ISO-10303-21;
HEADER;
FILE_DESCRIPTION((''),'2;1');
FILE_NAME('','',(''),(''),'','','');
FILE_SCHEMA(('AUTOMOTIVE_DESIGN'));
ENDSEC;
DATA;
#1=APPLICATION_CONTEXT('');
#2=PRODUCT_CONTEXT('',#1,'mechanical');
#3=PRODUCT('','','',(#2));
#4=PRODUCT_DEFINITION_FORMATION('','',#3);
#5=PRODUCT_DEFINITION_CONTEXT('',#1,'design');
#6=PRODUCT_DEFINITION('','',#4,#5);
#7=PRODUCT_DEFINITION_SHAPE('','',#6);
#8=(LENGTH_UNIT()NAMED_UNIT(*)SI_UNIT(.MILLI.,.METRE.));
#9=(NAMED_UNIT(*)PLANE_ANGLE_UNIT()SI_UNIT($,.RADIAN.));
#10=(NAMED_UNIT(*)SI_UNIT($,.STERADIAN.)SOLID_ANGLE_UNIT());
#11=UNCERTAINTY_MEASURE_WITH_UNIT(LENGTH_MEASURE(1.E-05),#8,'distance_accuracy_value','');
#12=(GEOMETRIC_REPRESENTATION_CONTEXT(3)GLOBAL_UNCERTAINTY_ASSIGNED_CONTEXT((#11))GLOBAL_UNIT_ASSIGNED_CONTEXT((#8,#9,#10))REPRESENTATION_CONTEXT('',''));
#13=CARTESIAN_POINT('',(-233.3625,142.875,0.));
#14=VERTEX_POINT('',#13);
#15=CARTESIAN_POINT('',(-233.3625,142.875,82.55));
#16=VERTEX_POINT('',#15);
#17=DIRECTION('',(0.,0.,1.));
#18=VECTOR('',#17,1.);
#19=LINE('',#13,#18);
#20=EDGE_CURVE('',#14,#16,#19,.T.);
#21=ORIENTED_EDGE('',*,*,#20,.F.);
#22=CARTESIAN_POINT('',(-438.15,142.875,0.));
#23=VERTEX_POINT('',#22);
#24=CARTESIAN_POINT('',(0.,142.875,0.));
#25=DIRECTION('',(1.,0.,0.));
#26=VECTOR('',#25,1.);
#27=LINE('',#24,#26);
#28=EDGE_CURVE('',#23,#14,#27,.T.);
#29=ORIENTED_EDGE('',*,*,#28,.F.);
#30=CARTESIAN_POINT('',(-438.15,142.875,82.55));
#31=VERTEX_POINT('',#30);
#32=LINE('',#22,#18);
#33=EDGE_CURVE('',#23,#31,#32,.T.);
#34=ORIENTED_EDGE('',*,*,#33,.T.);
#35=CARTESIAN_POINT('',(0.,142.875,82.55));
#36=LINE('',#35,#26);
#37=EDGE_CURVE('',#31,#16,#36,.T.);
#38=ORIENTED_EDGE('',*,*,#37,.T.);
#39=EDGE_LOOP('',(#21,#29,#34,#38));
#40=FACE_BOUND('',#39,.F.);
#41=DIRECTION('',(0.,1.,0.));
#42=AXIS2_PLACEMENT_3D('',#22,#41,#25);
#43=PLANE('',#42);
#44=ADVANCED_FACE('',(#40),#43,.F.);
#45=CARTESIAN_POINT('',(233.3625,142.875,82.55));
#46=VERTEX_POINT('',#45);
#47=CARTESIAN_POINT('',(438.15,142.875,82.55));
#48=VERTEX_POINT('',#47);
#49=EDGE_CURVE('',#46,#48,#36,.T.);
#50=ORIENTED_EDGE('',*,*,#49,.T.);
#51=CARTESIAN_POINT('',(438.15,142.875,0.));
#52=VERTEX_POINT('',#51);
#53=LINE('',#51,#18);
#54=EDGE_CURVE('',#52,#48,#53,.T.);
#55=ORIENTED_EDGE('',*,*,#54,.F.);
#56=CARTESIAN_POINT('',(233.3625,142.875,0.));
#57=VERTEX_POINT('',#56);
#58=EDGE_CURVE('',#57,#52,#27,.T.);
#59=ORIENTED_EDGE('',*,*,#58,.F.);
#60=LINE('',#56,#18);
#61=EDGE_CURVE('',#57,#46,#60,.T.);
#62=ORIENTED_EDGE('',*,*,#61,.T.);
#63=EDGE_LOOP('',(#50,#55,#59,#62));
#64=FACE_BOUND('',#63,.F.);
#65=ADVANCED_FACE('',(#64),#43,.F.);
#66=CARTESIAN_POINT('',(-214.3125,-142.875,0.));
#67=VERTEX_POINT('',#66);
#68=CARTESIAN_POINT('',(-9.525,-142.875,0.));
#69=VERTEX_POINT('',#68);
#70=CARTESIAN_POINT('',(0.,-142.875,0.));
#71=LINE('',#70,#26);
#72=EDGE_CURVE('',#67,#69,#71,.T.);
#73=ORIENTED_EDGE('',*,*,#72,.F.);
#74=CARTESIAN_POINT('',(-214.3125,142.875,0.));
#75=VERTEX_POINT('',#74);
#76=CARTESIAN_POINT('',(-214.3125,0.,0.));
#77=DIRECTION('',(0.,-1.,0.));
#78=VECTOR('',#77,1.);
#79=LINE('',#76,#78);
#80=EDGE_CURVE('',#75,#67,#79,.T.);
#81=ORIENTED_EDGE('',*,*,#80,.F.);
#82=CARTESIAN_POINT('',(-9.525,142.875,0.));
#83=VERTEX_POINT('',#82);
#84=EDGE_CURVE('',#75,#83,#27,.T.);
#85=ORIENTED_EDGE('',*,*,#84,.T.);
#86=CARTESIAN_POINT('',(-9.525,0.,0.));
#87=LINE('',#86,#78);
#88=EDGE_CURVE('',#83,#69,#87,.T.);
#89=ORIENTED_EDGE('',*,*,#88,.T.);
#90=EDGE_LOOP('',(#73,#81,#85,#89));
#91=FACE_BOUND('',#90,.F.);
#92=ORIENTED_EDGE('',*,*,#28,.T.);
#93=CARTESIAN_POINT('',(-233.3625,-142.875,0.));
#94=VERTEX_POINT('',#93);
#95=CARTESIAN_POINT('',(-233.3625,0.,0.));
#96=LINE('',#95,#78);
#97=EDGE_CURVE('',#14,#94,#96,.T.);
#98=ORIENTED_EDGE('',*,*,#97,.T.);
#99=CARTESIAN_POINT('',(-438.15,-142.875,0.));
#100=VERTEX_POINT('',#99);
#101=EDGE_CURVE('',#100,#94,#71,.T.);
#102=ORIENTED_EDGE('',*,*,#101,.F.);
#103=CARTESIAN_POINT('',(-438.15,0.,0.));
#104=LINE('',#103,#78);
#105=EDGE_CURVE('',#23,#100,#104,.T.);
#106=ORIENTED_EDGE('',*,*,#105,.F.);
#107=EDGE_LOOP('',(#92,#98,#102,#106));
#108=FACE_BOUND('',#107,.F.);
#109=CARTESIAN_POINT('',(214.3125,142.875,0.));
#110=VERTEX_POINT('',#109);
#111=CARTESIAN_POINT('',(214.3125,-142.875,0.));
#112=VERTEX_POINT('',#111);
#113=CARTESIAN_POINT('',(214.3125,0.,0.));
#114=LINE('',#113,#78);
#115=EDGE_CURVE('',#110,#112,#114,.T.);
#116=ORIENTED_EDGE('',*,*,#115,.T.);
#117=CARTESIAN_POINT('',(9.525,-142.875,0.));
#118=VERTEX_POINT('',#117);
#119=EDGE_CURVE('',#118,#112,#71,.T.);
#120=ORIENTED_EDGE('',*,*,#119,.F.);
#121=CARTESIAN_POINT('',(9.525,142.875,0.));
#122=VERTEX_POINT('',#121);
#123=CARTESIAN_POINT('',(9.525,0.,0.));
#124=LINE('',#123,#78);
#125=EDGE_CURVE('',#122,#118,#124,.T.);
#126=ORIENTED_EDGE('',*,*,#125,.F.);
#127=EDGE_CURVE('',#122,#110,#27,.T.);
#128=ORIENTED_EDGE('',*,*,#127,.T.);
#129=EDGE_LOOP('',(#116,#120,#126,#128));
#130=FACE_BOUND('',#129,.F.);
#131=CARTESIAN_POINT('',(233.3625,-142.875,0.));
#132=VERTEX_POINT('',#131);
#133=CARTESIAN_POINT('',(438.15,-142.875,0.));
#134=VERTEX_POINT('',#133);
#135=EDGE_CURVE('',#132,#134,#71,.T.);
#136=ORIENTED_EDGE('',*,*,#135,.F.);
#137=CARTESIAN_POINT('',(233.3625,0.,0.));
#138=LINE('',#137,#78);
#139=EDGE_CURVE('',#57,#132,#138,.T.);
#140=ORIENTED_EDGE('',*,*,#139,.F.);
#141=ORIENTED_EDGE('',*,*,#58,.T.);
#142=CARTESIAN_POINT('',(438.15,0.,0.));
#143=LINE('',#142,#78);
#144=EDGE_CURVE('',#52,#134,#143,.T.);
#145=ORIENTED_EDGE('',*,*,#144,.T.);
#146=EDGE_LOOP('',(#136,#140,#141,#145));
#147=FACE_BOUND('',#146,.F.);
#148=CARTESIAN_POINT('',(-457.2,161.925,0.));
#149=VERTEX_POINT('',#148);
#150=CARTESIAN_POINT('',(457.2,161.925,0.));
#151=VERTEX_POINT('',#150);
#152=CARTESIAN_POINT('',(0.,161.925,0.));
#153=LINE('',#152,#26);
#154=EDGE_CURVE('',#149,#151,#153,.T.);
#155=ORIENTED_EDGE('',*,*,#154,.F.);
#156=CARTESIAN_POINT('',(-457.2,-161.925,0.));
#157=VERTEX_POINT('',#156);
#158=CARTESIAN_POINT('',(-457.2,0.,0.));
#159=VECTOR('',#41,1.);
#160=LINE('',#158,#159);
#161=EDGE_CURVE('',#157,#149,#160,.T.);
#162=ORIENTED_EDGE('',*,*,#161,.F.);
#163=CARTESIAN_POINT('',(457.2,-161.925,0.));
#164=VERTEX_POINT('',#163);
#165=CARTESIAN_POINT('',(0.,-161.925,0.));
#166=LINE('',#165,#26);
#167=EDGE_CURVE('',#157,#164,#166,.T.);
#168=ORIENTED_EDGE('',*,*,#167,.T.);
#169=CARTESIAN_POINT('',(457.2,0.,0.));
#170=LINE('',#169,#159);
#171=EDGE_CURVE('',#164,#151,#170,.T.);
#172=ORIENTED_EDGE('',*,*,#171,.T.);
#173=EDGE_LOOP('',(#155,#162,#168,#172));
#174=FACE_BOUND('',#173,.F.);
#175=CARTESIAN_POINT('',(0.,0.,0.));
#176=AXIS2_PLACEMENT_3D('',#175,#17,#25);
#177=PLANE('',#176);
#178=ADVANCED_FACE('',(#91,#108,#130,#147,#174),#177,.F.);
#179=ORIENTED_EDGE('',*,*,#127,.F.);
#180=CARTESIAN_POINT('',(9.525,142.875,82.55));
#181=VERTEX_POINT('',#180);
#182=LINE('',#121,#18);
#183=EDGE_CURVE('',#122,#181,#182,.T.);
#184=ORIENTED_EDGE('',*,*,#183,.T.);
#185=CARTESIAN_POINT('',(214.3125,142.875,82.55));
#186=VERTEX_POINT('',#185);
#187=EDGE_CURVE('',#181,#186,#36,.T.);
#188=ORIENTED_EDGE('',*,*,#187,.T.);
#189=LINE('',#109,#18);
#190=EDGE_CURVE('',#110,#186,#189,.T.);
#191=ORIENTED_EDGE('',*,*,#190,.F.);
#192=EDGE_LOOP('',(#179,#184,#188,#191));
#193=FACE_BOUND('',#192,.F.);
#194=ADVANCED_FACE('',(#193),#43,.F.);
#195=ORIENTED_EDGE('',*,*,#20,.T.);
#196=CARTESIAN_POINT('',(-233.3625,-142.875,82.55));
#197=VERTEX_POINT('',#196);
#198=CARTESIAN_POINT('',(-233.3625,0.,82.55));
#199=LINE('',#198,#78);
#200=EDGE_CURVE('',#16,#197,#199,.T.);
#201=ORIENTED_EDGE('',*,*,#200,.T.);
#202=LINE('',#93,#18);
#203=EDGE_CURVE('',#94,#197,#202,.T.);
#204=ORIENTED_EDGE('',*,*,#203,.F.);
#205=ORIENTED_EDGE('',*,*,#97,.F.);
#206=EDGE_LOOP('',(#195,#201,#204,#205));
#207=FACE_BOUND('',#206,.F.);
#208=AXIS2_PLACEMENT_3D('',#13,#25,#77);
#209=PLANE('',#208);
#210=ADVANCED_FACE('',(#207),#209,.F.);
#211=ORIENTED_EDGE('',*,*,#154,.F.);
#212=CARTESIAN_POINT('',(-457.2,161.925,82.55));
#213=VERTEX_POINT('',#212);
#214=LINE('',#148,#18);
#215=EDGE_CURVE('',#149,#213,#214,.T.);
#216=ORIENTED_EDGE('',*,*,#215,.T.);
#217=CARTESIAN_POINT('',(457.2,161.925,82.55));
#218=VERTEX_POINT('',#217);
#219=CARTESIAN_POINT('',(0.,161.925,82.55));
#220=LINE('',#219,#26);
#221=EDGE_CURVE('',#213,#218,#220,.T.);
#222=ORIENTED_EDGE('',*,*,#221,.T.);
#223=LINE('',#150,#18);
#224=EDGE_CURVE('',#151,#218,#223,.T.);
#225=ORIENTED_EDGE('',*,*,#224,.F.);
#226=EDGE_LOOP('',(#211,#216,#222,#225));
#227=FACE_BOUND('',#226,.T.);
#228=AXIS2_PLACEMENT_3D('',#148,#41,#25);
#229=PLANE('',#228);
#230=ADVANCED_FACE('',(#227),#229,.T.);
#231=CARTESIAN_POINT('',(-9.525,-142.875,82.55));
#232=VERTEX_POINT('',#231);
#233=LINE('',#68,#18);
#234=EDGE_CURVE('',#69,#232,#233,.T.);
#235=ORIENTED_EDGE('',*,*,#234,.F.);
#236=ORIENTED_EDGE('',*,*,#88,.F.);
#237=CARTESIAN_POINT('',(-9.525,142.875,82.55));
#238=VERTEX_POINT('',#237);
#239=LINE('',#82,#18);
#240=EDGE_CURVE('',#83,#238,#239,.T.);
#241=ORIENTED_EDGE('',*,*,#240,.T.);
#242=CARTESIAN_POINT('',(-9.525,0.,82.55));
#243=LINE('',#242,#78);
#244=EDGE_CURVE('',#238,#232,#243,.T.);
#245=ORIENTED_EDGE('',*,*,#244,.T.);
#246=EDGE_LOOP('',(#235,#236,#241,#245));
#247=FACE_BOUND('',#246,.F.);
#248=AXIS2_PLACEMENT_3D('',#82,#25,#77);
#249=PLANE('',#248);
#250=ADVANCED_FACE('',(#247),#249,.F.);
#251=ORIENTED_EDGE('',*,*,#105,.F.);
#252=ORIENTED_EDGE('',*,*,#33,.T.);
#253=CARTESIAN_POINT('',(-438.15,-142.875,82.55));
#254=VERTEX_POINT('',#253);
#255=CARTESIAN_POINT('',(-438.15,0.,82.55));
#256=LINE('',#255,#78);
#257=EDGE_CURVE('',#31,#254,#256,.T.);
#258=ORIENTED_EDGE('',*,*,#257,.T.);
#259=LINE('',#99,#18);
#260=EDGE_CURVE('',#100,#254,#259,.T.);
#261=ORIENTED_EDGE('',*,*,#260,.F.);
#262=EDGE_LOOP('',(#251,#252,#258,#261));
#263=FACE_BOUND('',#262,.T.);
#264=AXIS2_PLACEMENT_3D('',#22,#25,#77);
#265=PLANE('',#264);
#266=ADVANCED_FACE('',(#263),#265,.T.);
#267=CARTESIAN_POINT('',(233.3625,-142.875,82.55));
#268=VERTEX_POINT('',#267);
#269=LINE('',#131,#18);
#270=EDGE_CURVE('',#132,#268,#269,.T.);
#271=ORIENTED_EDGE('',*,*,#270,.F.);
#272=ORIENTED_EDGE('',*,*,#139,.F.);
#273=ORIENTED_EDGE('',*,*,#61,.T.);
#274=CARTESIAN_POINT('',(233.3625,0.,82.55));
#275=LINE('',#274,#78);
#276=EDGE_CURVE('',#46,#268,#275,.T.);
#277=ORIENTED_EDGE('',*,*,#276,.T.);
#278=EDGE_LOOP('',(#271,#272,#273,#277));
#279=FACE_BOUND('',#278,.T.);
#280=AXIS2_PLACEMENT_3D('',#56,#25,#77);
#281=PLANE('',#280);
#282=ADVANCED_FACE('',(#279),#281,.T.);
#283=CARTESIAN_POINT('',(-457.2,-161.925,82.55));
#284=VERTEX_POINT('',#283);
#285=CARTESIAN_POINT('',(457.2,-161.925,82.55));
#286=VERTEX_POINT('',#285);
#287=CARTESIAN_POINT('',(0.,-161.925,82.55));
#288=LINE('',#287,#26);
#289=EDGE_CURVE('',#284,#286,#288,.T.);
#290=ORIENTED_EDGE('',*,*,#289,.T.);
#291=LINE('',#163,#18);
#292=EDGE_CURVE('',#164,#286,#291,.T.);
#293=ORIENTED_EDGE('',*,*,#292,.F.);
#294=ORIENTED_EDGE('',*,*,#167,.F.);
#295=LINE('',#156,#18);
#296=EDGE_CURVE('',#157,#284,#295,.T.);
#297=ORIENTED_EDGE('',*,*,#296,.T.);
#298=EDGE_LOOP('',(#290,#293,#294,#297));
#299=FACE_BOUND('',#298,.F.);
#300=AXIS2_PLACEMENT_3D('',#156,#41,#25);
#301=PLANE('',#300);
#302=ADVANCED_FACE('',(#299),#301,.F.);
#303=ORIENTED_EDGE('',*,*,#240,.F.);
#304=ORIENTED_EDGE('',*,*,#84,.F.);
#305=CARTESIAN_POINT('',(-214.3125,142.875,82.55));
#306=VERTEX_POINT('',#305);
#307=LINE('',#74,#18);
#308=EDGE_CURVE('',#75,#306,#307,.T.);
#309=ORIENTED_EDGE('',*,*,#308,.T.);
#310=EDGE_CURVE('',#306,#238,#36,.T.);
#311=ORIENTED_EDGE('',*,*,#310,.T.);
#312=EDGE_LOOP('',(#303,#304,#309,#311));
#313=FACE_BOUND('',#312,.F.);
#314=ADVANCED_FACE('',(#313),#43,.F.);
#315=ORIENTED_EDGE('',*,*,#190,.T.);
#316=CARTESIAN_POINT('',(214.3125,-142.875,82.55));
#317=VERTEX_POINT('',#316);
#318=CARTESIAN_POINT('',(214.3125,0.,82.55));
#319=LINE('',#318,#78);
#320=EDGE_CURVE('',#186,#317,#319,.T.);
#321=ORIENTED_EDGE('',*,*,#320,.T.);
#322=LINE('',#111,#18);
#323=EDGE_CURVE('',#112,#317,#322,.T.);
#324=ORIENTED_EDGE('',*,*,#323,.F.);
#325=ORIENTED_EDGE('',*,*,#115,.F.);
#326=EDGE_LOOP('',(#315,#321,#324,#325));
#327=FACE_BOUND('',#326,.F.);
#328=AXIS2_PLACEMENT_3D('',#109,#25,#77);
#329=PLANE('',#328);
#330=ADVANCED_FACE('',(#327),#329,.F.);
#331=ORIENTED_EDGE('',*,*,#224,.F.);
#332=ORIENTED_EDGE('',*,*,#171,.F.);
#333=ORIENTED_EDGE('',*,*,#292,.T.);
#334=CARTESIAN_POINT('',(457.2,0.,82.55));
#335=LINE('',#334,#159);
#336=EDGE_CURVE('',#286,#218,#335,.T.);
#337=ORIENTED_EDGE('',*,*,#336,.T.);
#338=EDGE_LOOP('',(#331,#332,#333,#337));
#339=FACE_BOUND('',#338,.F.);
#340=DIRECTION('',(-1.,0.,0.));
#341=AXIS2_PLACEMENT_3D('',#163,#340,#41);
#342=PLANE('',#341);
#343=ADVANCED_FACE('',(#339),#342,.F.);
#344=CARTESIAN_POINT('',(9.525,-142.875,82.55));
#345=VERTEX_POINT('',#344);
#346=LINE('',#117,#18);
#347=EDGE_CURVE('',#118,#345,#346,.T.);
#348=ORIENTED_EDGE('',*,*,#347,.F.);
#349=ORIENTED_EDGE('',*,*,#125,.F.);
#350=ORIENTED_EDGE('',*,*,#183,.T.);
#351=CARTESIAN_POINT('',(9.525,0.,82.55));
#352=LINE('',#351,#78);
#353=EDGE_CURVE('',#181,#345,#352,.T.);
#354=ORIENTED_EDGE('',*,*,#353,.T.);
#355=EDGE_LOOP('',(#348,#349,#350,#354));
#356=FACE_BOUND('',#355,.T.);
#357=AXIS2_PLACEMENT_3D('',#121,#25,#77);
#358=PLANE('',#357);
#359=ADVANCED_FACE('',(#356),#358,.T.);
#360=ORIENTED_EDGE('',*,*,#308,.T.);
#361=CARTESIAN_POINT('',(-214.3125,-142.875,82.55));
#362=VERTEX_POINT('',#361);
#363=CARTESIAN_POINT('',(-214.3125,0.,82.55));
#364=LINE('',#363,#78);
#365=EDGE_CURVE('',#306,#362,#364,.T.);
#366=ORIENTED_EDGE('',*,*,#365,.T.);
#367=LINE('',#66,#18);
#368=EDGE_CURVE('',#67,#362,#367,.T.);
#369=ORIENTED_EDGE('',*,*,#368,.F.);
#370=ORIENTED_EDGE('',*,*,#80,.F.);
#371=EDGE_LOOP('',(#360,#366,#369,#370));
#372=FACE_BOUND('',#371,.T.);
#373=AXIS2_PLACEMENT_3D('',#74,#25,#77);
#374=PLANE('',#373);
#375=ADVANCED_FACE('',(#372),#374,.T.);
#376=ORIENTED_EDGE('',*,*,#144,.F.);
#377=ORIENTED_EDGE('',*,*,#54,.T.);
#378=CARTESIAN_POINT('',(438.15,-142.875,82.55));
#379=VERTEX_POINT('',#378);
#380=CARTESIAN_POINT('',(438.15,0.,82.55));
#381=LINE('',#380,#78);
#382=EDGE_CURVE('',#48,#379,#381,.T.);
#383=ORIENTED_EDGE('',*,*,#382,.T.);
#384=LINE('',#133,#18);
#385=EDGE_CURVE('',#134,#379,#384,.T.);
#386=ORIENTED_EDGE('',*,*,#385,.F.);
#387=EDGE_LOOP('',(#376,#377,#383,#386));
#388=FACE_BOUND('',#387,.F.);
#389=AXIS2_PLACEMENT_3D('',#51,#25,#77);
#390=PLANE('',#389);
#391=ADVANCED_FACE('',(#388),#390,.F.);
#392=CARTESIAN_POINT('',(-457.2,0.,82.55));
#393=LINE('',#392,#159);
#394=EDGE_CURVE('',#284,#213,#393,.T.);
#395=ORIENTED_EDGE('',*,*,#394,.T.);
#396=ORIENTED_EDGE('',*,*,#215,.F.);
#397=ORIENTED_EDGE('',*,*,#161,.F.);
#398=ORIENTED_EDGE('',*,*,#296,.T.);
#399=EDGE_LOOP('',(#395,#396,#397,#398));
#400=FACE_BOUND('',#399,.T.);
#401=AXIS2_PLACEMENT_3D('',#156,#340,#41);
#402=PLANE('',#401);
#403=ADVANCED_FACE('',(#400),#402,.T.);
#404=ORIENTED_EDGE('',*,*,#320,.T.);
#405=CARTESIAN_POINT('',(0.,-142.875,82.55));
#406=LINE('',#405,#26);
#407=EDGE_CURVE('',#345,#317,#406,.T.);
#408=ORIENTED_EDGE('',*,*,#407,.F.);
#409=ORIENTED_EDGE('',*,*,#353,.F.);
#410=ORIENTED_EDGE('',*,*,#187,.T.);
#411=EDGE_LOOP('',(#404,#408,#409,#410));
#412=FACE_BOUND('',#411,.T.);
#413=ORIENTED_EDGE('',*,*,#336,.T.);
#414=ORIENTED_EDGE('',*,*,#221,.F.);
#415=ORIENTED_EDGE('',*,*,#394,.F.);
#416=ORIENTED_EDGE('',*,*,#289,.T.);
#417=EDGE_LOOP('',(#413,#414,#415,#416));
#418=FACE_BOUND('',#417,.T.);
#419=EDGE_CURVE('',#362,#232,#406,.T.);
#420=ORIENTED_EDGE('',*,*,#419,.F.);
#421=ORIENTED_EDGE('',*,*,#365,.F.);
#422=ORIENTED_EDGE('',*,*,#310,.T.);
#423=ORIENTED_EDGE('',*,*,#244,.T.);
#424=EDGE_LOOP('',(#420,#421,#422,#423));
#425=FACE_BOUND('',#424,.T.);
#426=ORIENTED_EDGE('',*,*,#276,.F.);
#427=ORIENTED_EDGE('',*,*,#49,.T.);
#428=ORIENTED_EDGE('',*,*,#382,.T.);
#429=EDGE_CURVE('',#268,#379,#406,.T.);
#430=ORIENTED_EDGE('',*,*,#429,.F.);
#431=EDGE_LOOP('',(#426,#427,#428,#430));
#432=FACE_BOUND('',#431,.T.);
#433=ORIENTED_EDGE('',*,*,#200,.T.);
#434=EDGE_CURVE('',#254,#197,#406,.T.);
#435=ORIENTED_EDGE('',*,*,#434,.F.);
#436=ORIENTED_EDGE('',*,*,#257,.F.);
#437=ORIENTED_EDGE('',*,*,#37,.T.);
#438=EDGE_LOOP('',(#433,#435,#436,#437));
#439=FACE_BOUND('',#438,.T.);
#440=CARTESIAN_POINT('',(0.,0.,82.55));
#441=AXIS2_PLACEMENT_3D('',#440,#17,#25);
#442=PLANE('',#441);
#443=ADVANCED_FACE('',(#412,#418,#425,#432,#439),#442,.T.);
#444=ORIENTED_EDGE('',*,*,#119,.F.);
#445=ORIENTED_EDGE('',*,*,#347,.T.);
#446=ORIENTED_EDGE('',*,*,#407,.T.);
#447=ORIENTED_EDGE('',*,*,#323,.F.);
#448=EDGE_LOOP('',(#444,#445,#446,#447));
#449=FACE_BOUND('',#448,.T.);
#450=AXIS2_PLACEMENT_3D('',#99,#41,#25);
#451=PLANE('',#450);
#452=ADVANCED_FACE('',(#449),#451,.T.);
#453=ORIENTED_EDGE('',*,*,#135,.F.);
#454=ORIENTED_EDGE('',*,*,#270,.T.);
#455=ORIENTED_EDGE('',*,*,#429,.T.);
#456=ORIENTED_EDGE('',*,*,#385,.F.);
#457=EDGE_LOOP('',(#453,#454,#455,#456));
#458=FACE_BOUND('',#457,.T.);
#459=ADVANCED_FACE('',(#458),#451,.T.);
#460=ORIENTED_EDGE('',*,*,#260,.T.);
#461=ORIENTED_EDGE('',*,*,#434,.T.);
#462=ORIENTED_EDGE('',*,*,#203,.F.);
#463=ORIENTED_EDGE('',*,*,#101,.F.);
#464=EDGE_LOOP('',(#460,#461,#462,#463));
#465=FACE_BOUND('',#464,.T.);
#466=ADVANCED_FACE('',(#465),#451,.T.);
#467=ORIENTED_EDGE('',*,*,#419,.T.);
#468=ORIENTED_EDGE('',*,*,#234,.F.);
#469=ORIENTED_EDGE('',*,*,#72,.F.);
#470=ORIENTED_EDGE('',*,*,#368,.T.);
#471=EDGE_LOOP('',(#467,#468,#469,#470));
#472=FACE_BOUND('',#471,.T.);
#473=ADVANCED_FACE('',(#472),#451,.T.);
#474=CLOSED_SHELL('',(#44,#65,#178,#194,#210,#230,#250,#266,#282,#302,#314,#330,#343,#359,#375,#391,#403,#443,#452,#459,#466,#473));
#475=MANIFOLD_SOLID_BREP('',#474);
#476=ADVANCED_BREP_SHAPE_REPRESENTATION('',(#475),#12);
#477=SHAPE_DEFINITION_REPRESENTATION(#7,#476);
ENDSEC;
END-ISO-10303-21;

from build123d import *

# Parameters (mm, degrees)
F0_W     = 914.4
F0_H     = 323.85
F1_DEPTH = 82.55
F2_W     = 876.3
F2_H     = 285.75
F3_DEPTH = 82.55
F4_W     = 19.05
F4_H     = 285.75
F5_DEPTH = 82.55
F6_W     = 19.05
F6_H     = 285.75
F7_DEPTH = 82.55
F8_W     = 19.05
F8_H     = 285.75
F9_DEPTH = 82.55


with BuildPart() as f1:
    # F0 (on Top) → F1 (new body)
    with BuildSketch(Plane.XY):
        Rectangle(F0_W, F0_H)
    extrude(amount=F1_DEPTH)

    # F2 (on face) → F3 (cut)
    with BuildSketch(Plane(origin=(0, 0, 0), x_dir=(1, 0, 0), z_dir=(0, 0, -1))):
        Rectangle(F2_W, F2_H)
    extrude(amount=-F3_DEPTH, mode=Mode.SUBTRACT)

    # F4 (on face) → F5 (join)
    with BuildSketch(Plane(origin=(0, 0, 0), x_dir=(1, 0, 0), z_dir=(0, 0, -1))):
        Rectangle(F4_W, F4_H)
    extrude(amount=-F5_DEPTH)

    # F6 (on face) → F7 (join)
    with BuildSketch(Plane(origin=(0, 0, 0), x_dir=(1, 0, 0), z_dir=(0, 0, -1))):
        with Locations((-223.8375, 0)):
            Rectangle(F6_W, F6_H)
    extrude(amount=-F7_DEPTH)

    # F8 (on face) → F9 (join)
    with BuildSketch(Plane(origin=(0, 0, 0), x_dir=(1, 0, 0), z_dir=(0, 0, -1))):
        with Locations((223.8375, 0)):
            Rectangle(F8_W, F8_H)
    extrude(amount=-F9_DEPTH)


solid = f1.part
